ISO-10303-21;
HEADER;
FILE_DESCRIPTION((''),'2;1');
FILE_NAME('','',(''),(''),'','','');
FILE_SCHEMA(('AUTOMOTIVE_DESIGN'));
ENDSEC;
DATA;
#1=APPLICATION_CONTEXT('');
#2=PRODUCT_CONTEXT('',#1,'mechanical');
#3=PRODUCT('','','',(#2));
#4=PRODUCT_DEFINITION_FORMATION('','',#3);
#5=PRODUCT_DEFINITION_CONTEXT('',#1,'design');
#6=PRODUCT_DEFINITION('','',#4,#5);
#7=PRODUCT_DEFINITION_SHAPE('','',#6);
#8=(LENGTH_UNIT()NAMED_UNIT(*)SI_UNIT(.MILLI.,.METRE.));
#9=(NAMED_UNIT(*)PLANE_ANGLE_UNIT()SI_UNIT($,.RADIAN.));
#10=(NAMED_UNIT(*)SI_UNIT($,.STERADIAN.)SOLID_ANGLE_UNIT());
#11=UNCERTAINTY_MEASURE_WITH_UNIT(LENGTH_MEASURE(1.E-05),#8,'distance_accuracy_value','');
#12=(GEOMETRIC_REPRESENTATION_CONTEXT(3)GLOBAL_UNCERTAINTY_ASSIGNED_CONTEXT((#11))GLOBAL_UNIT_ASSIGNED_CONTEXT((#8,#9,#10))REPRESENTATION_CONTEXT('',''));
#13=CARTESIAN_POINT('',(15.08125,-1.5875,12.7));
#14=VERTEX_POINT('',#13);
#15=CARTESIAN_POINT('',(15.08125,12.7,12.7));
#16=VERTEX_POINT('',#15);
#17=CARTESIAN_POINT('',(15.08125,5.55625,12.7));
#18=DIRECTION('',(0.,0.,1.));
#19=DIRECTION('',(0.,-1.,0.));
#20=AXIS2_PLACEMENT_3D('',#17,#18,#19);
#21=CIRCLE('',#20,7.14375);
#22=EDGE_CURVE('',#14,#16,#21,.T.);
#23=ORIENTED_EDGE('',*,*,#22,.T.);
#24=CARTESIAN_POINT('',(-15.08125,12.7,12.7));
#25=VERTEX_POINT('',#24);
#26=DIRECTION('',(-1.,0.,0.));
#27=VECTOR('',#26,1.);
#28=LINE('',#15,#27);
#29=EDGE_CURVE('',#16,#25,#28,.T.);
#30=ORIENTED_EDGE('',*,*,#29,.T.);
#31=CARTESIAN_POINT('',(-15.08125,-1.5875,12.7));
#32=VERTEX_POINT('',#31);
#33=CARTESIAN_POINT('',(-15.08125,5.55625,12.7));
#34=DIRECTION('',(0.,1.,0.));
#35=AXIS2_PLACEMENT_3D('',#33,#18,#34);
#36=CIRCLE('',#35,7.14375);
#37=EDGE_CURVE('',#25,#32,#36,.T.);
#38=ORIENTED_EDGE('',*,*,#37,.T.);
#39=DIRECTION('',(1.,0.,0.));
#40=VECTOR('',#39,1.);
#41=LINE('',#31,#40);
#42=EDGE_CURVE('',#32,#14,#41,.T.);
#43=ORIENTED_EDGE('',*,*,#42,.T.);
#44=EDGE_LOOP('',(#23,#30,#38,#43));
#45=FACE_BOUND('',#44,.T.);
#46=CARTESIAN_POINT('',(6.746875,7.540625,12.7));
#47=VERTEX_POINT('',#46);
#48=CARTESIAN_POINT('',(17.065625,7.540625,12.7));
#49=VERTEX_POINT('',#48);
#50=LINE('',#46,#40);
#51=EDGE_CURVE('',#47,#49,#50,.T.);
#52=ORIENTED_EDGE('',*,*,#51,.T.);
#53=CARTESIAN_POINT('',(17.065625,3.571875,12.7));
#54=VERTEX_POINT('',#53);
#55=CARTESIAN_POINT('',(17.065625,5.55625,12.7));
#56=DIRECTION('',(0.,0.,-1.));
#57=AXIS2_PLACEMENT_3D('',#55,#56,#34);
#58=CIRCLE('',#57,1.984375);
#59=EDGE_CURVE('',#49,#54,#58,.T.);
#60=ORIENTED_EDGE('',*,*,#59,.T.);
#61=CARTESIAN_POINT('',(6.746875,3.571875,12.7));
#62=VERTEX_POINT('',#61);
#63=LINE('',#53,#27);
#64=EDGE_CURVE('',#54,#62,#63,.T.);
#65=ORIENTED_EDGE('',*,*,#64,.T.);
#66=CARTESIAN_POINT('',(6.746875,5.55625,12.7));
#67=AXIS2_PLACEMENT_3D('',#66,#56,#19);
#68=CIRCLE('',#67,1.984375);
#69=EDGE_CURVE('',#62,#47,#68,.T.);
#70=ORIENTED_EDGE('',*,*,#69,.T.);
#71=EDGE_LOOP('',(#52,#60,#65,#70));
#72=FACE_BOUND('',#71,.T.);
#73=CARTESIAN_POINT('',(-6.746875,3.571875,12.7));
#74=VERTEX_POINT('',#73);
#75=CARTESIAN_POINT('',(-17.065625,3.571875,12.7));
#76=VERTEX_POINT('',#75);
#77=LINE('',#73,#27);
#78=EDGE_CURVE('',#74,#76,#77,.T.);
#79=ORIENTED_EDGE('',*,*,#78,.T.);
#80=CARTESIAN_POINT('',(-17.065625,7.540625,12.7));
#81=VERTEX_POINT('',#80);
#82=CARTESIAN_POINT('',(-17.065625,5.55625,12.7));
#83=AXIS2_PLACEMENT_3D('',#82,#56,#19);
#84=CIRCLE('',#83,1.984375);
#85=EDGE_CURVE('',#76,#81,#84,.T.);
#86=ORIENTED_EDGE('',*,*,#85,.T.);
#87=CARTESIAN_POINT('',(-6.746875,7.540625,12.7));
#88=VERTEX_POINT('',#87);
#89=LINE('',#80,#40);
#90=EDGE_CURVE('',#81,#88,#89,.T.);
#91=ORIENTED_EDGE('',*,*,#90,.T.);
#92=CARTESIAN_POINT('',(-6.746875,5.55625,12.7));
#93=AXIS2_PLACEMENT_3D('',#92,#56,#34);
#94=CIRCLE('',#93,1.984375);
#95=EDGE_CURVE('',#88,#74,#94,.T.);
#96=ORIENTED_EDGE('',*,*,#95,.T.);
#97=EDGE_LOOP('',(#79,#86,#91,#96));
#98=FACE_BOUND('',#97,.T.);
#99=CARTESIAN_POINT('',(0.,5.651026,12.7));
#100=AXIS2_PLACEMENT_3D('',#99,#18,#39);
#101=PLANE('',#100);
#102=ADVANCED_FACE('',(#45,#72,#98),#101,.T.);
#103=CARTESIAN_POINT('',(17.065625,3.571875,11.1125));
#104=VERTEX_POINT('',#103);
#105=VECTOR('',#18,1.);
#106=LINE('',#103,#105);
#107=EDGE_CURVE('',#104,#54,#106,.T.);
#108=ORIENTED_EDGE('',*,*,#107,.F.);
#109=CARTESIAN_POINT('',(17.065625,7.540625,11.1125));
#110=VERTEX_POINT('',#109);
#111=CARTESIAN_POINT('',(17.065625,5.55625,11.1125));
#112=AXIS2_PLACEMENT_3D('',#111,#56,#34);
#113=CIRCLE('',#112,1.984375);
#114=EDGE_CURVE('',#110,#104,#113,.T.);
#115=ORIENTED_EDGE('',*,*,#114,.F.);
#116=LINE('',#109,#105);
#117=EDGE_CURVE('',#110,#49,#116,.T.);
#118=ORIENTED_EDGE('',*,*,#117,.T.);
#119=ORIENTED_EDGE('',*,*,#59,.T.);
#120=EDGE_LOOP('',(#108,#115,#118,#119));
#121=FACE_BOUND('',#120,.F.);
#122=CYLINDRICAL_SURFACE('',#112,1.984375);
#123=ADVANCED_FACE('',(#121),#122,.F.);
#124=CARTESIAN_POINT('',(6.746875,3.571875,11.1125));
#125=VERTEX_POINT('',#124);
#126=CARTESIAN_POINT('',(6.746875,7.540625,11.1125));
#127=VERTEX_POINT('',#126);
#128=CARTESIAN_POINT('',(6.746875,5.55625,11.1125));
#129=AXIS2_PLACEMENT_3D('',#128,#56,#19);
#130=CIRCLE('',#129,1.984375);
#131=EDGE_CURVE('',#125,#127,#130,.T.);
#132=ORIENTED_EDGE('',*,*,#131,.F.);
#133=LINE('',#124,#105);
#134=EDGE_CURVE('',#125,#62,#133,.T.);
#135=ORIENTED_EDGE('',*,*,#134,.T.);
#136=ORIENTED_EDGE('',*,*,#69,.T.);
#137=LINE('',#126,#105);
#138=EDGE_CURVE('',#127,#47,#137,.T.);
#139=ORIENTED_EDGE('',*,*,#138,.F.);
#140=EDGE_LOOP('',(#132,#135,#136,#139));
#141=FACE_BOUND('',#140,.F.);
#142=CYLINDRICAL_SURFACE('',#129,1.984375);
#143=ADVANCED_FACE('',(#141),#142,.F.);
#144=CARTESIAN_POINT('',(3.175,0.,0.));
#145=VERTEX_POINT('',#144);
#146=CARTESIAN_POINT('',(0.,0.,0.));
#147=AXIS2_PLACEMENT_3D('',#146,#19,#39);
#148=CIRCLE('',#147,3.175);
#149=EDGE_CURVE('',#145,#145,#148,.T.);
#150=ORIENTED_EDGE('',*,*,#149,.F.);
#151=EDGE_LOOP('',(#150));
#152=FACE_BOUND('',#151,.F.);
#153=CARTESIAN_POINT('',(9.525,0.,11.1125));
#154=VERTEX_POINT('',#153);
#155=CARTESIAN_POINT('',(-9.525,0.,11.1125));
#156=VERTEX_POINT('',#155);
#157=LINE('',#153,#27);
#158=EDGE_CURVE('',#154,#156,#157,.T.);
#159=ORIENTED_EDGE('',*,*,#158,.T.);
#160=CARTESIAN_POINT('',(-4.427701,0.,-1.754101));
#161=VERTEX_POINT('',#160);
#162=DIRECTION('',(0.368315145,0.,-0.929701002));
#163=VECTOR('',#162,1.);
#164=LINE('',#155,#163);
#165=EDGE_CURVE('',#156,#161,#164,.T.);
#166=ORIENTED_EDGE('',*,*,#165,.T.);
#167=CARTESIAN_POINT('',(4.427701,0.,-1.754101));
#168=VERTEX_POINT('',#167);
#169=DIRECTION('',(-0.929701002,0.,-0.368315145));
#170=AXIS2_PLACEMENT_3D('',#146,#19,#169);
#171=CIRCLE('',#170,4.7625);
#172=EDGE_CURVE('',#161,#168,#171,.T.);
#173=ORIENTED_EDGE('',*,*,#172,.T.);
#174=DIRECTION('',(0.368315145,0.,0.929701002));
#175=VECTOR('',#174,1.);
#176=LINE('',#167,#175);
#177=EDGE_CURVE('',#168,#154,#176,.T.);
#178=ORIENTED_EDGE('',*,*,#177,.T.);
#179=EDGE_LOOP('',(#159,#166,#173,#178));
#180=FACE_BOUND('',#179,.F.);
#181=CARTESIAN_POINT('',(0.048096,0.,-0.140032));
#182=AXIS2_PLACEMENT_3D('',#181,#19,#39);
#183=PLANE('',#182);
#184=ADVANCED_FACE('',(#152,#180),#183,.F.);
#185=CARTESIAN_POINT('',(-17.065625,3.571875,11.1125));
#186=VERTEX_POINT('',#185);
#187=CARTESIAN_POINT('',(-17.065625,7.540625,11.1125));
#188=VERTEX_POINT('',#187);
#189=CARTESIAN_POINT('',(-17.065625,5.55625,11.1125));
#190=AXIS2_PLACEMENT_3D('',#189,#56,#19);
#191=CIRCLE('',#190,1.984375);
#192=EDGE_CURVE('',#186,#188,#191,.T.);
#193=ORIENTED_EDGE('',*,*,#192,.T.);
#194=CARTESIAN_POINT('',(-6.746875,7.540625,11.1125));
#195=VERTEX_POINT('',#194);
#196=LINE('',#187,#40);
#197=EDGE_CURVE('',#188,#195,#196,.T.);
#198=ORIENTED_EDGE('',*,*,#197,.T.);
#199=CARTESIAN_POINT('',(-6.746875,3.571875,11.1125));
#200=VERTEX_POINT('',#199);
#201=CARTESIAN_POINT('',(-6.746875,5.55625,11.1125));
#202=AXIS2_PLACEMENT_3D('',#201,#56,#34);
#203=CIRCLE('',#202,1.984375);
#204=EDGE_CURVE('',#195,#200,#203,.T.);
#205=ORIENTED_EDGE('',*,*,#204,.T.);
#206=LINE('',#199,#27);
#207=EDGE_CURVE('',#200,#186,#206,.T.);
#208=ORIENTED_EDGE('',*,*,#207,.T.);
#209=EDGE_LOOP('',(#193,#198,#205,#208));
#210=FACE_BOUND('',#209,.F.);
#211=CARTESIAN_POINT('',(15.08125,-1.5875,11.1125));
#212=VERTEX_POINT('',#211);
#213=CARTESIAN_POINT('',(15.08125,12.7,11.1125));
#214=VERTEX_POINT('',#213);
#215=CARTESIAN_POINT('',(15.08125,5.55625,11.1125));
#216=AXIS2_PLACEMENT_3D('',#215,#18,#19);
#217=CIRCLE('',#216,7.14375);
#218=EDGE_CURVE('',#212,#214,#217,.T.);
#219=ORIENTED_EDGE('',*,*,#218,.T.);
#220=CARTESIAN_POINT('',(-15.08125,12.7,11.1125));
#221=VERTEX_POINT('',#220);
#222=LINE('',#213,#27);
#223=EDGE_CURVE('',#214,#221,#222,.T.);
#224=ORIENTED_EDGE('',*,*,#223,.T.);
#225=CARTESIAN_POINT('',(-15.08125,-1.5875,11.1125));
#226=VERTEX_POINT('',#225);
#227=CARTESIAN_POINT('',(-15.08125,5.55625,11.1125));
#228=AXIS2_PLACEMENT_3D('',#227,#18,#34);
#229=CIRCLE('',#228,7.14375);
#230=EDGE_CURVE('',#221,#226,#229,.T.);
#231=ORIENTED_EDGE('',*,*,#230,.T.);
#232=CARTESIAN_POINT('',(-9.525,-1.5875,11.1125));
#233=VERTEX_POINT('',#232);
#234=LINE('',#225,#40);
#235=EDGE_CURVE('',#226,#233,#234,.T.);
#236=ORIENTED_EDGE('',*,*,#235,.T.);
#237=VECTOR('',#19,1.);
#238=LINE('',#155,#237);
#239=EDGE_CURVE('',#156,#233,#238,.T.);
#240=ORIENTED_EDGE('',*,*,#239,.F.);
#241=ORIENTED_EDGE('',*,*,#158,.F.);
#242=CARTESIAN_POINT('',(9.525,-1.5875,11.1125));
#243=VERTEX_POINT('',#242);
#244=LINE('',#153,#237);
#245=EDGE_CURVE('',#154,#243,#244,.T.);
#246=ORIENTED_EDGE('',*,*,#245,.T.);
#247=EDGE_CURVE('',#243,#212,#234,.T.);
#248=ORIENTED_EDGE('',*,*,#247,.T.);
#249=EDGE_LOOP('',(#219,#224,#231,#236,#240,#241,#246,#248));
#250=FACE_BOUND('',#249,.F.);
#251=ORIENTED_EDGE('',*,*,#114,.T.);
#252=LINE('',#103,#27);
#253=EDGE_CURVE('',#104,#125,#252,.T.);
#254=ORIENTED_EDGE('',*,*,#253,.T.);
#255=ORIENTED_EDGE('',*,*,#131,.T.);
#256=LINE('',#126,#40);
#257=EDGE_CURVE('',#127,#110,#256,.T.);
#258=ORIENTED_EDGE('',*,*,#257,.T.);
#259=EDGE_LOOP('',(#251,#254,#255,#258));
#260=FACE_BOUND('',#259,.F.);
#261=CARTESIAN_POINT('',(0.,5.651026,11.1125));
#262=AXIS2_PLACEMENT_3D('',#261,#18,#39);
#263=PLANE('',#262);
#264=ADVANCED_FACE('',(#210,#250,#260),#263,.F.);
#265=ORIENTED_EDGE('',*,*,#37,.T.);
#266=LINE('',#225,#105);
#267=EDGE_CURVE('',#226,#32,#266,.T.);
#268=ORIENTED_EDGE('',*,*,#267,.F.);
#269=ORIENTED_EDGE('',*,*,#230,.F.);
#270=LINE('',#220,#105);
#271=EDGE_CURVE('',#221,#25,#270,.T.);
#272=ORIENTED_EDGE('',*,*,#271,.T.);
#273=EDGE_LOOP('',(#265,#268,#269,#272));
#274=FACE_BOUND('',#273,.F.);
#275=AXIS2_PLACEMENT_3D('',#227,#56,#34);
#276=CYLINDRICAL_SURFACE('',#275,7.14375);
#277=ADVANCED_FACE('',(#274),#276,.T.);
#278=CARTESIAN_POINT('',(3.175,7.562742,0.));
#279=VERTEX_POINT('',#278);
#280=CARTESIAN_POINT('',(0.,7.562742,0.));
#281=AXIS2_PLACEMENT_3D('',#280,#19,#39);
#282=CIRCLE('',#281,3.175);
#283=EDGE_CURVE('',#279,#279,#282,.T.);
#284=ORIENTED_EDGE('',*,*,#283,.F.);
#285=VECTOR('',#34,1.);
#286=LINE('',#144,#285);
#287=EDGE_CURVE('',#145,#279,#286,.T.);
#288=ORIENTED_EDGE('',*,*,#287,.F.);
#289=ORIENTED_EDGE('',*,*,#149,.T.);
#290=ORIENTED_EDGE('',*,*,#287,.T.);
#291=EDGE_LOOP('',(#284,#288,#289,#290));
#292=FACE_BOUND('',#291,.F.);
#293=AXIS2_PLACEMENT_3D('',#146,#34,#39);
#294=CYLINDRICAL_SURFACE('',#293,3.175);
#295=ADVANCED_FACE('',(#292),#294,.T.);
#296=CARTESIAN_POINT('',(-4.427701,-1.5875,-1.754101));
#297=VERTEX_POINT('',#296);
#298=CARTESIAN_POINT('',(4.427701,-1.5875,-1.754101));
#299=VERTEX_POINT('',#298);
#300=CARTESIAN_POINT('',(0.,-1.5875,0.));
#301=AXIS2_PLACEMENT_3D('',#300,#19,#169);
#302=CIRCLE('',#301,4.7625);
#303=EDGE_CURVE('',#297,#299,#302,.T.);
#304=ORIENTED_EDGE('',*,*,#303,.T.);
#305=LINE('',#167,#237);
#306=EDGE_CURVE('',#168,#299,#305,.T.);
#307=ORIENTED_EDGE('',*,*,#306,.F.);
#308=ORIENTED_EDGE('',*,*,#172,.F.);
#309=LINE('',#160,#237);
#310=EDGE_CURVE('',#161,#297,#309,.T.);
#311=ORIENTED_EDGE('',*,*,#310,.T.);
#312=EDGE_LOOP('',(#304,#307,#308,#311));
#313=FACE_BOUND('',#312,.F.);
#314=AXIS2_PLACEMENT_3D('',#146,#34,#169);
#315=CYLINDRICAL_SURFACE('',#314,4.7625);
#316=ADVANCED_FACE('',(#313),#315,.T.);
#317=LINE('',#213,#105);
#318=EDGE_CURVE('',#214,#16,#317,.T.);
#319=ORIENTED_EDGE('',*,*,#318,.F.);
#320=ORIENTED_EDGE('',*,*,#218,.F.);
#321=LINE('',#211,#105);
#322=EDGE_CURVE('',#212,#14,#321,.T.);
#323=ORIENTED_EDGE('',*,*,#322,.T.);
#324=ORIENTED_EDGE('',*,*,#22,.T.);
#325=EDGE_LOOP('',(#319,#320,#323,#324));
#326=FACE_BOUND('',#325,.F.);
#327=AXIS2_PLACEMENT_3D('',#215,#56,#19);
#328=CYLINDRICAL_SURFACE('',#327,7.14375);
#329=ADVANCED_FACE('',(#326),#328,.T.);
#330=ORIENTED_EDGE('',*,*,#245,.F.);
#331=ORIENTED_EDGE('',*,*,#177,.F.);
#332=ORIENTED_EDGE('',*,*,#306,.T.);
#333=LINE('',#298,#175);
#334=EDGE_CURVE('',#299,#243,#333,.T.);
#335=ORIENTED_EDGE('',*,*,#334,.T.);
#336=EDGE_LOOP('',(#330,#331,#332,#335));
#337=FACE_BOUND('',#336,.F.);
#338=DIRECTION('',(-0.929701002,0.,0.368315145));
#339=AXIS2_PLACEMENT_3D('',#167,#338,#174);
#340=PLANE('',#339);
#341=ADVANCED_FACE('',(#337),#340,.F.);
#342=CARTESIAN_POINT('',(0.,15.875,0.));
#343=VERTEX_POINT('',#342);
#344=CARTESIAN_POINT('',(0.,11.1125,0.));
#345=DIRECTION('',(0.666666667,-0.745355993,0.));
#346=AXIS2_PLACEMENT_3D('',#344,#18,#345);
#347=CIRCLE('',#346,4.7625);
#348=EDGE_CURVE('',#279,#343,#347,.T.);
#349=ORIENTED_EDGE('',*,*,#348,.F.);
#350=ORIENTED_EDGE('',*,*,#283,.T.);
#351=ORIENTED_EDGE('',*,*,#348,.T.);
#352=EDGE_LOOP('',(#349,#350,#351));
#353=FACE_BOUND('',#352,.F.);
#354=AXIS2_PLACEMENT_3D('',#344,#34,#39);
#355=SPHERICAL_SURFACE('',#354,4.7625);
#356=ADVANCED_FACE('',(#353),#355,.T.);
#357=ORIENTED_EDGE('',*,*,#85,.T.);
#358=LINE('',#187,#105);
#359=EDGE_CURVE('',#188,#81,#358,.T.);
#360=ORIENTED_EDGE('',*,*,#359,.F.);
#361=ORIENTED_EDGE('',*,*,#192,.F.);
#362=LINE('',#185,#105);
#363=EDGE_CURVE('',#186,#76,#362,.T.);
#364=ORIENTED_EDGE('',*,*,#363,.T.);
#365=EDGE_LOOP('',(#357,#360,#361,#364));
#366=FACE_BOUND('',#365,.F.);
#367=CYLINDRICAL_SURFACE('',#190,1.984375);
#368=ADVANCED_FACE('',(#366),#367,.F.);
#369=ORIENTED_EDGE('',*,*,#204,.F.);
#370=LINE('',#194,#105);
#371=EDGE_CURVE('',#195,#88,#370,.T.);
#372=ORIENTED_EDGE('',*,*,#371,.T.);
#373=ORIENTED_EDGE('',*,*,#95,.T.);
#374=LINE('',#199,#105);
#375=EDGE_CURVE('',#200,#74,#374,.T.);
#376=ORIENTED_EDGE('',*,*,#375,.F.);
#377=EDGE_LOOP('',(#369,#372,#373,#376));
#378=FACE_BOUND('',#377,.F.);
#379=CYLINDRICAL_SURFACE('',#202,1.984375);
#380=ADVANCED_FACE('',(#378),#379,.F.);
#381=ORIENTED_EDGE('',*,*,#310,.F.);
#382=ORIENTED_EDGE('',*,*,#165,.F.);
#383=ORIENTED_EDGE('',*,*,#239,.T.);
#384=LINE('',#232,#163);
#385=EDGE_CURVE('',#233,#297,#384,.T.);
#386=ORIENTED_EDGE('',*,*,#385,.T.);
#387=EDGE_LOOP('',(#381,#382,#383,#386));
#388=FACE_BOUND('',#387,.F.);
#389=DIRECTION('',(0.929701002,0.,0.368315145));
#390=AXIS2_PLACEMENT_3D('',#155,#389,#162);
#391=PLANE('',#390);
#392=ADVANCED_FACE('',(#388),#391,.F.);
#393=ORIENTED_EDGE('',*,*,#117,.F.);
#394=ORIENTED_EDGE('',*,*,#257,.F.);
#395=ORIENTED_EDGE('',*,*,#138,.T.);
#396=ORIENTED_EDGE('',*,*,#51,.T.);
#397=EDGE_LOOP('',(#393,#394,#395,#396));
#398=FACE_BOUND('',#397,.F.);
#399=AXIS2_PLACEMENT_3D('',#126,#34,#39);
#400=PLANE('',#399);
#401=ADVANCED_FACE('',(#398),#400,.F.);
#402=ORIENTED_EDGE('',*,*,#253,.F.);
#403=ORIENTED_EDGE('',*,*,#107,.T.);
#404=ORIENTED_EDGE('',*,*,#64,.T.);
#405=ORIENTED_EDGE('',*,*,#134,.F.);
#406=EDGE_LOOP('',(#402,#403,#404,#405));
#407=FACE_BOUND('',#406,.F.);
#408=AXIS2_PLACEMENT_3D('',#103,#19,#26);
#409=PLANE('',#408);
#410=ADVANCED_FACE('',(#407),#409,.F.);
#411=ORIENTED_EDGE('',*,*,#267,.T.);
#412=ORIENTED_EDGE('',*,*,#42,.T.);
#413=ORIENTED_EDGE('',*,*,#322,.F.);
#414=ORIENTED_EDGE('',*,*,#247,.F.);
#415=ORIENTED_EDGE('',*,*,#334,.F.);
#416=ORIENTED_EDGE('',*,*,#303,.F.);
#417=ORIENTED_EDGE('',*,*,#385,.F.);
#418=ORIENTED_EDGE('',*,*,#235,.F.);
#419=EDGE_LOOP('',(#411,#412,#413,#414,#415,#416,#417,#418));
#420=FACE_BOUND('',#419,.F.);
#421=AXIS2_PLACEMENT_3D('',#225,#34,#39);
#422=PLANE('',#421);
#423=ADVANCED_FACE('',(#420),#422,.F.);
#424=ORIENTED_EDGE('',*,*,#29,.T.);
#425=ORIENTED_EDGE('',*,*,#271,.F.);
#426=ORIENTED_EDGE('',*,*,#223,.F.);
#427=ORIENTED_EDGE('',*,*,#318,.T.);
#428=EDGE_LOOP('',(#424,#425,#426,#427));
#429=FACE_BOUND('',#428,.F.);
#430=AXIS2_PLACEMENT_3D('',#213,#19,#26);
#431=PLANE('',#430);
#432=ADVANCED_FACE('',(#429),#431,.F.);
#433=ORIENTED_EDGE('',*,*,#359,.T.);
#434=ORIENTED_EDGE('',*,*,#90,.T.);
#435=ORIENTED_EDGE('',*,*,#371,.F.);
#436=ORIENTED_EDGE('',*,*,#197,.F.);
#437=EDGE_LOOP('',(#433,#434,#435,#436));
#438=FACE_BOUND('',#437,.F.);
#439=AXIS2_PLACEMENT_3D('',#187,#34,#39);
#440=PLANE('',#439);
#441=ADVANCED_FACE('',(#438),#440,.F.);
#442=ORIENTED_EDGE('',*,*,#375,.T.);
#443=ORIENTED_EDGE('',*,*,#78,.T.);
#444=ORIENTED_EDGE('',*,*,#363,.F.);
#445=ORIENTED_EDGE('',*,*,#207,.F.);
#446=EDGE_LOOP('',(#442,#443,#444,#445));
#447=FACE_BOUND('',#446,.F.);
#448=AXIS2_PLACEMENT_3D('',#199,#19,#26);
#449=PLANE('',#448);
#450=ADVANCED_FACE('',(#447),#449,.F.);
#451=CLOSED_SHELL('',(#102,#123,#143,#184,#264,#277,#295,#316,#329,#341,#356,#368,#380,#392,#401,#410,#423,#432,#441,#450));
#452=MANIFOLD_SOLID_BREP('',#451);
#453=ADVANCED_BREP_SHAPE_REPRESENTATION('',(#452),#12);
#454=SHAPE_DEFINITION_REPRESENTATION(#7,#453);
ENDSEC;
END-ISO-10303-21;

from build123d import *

# Parameters (mm, degrees)
F1_DEPTH = 1.5875
F4_W     = 19.05
F4_H     = 1.5875
F5_DEPTH = 1.5875


with BuildPart() as f1:
    # F0 (on Front) → F1 (new body)
    with BuildSketch(Plane.XZ):
        with BuildLine():
            ThreePointArc((4.4277010242, -1.7541008779), (4.6780515377, -0.8928830052), (4.7625, 0))
            ThreePointArc((4.7625, 0), (-0.8928830052, 4.6780515377), (-4.4277010242, -1.7541008779))
            ThreePointArc((-4.4277010242, -1.7541008779), (0, -4.7625), (4.4277010242, -1.7541008779))
        make_face()
        with BuildLine():
            ThreePointArc((-4.4277010242, -1.7541008779), (-0.8928830052, 4.6780515377), (4.7625, 0))
            ThreePointArc((4.7625, 0), (4.6780515377, -0.8928830052), (4.4277010242, -1.7541008779))
            Line((4.4277010242, -1.7541008779), (9.525, 11.1125))
            Line((9.525, 11.1125), (-9.525, 11.1125))
            Line((-9.525, 11.1125), (-4.4277010242, -1.7541008779))
        make_face()
    extrude(amount=F1_DEPTH)

    # F2 (on Top) → F3 (revolve)
    with BuildSketch(Plane.XY):
        with BuildLine():
            Line((0, 0), (3.175, 0))
            Line((3.175, 0), (3.175, 7.5627420857))
            ThreePointArc((3.175, 7.5627420857), (1.6993652025, 6.6635041404), (0, 6.35))
            Line((0, 6.35), (0, 0))
        make_face()
        with BuildLine():
            ThreePointArc((0, 6.35), (1.6993652025, 6.6635041404), (3.175, 7.5627420857))
            ThreePointArc((3.175, 7.5627420857), (4.4489958596, 12.8118652025), (0, 15.875))
            Line((0, 15.875), (0, 11.1125))
            Line((0, 11.1125), (0, 6.35))
        make_face()
    revolve(axis=Axis((0, 5.55625, 0), (0, -1, 0)))

    # F4 (on face) → F5 (join)
    with BuildSketch(Plane.XY.offset(11.1125)):
        with BuildLine():
            Line((9.525, -1.5875), (15.08125, -1.5875))
            ThreePointArc((15.08125, -1.5875), (22.225, 5.55625), (15.08125, 12.7))
            Line((15.08125, 12.7), (-15.08125, 12.7))
            ThreePointArc((-15.08125, 12.7), (-22.225, 5.55625), (-15.08125, -1.5875))
            Line((-15.08125, -1.5875), (-9.525, -1.5875))
            Line((-9.525, -1.5875), (-9.525, 0))
            Line((-9.525, 0), (9.525, 0))
            Line((9.525, 0), (9.525, -1.5875))
        make_face()
        with BuildLine():
            ThreePointArc((-17.065625, 3.571875), (-19.05, 5.55625), (-17.065625, 7.540625))
            Line((-17.065625, 7.540625), (-6.746875, 7.540625))
            ThreePointArc((-6.746875, 7.540625), (-4.7625, 5.55625), (-6.746875, 3.571875))
            Line((-6.746875, 3.571875), (-17.065625, 3.571875))
        make_face(mode=Mode.SUBTRACT)
        with BuildLine():
            ThreePointArc((17.065625, 7.540625), (19.05, 5.55625), (17.065625, 3.571875))
            Line((17.065625, 3.571875), (6.746875, 3.571875))
            ThreePointArc((6.746875, 3.571875), (4.7625, 5.55625), (6.746875, 7.540625))
            Line((6.746875, 7.540625), (17.065625, 7.540625))
        make_face(mode=Mode.SUBTRACT)
        with Locations((0, -0.79375)):
            Rectangle(F4_W, F4_H)
    extrude(amount=F5_DEPTH)


solid = f1.part
